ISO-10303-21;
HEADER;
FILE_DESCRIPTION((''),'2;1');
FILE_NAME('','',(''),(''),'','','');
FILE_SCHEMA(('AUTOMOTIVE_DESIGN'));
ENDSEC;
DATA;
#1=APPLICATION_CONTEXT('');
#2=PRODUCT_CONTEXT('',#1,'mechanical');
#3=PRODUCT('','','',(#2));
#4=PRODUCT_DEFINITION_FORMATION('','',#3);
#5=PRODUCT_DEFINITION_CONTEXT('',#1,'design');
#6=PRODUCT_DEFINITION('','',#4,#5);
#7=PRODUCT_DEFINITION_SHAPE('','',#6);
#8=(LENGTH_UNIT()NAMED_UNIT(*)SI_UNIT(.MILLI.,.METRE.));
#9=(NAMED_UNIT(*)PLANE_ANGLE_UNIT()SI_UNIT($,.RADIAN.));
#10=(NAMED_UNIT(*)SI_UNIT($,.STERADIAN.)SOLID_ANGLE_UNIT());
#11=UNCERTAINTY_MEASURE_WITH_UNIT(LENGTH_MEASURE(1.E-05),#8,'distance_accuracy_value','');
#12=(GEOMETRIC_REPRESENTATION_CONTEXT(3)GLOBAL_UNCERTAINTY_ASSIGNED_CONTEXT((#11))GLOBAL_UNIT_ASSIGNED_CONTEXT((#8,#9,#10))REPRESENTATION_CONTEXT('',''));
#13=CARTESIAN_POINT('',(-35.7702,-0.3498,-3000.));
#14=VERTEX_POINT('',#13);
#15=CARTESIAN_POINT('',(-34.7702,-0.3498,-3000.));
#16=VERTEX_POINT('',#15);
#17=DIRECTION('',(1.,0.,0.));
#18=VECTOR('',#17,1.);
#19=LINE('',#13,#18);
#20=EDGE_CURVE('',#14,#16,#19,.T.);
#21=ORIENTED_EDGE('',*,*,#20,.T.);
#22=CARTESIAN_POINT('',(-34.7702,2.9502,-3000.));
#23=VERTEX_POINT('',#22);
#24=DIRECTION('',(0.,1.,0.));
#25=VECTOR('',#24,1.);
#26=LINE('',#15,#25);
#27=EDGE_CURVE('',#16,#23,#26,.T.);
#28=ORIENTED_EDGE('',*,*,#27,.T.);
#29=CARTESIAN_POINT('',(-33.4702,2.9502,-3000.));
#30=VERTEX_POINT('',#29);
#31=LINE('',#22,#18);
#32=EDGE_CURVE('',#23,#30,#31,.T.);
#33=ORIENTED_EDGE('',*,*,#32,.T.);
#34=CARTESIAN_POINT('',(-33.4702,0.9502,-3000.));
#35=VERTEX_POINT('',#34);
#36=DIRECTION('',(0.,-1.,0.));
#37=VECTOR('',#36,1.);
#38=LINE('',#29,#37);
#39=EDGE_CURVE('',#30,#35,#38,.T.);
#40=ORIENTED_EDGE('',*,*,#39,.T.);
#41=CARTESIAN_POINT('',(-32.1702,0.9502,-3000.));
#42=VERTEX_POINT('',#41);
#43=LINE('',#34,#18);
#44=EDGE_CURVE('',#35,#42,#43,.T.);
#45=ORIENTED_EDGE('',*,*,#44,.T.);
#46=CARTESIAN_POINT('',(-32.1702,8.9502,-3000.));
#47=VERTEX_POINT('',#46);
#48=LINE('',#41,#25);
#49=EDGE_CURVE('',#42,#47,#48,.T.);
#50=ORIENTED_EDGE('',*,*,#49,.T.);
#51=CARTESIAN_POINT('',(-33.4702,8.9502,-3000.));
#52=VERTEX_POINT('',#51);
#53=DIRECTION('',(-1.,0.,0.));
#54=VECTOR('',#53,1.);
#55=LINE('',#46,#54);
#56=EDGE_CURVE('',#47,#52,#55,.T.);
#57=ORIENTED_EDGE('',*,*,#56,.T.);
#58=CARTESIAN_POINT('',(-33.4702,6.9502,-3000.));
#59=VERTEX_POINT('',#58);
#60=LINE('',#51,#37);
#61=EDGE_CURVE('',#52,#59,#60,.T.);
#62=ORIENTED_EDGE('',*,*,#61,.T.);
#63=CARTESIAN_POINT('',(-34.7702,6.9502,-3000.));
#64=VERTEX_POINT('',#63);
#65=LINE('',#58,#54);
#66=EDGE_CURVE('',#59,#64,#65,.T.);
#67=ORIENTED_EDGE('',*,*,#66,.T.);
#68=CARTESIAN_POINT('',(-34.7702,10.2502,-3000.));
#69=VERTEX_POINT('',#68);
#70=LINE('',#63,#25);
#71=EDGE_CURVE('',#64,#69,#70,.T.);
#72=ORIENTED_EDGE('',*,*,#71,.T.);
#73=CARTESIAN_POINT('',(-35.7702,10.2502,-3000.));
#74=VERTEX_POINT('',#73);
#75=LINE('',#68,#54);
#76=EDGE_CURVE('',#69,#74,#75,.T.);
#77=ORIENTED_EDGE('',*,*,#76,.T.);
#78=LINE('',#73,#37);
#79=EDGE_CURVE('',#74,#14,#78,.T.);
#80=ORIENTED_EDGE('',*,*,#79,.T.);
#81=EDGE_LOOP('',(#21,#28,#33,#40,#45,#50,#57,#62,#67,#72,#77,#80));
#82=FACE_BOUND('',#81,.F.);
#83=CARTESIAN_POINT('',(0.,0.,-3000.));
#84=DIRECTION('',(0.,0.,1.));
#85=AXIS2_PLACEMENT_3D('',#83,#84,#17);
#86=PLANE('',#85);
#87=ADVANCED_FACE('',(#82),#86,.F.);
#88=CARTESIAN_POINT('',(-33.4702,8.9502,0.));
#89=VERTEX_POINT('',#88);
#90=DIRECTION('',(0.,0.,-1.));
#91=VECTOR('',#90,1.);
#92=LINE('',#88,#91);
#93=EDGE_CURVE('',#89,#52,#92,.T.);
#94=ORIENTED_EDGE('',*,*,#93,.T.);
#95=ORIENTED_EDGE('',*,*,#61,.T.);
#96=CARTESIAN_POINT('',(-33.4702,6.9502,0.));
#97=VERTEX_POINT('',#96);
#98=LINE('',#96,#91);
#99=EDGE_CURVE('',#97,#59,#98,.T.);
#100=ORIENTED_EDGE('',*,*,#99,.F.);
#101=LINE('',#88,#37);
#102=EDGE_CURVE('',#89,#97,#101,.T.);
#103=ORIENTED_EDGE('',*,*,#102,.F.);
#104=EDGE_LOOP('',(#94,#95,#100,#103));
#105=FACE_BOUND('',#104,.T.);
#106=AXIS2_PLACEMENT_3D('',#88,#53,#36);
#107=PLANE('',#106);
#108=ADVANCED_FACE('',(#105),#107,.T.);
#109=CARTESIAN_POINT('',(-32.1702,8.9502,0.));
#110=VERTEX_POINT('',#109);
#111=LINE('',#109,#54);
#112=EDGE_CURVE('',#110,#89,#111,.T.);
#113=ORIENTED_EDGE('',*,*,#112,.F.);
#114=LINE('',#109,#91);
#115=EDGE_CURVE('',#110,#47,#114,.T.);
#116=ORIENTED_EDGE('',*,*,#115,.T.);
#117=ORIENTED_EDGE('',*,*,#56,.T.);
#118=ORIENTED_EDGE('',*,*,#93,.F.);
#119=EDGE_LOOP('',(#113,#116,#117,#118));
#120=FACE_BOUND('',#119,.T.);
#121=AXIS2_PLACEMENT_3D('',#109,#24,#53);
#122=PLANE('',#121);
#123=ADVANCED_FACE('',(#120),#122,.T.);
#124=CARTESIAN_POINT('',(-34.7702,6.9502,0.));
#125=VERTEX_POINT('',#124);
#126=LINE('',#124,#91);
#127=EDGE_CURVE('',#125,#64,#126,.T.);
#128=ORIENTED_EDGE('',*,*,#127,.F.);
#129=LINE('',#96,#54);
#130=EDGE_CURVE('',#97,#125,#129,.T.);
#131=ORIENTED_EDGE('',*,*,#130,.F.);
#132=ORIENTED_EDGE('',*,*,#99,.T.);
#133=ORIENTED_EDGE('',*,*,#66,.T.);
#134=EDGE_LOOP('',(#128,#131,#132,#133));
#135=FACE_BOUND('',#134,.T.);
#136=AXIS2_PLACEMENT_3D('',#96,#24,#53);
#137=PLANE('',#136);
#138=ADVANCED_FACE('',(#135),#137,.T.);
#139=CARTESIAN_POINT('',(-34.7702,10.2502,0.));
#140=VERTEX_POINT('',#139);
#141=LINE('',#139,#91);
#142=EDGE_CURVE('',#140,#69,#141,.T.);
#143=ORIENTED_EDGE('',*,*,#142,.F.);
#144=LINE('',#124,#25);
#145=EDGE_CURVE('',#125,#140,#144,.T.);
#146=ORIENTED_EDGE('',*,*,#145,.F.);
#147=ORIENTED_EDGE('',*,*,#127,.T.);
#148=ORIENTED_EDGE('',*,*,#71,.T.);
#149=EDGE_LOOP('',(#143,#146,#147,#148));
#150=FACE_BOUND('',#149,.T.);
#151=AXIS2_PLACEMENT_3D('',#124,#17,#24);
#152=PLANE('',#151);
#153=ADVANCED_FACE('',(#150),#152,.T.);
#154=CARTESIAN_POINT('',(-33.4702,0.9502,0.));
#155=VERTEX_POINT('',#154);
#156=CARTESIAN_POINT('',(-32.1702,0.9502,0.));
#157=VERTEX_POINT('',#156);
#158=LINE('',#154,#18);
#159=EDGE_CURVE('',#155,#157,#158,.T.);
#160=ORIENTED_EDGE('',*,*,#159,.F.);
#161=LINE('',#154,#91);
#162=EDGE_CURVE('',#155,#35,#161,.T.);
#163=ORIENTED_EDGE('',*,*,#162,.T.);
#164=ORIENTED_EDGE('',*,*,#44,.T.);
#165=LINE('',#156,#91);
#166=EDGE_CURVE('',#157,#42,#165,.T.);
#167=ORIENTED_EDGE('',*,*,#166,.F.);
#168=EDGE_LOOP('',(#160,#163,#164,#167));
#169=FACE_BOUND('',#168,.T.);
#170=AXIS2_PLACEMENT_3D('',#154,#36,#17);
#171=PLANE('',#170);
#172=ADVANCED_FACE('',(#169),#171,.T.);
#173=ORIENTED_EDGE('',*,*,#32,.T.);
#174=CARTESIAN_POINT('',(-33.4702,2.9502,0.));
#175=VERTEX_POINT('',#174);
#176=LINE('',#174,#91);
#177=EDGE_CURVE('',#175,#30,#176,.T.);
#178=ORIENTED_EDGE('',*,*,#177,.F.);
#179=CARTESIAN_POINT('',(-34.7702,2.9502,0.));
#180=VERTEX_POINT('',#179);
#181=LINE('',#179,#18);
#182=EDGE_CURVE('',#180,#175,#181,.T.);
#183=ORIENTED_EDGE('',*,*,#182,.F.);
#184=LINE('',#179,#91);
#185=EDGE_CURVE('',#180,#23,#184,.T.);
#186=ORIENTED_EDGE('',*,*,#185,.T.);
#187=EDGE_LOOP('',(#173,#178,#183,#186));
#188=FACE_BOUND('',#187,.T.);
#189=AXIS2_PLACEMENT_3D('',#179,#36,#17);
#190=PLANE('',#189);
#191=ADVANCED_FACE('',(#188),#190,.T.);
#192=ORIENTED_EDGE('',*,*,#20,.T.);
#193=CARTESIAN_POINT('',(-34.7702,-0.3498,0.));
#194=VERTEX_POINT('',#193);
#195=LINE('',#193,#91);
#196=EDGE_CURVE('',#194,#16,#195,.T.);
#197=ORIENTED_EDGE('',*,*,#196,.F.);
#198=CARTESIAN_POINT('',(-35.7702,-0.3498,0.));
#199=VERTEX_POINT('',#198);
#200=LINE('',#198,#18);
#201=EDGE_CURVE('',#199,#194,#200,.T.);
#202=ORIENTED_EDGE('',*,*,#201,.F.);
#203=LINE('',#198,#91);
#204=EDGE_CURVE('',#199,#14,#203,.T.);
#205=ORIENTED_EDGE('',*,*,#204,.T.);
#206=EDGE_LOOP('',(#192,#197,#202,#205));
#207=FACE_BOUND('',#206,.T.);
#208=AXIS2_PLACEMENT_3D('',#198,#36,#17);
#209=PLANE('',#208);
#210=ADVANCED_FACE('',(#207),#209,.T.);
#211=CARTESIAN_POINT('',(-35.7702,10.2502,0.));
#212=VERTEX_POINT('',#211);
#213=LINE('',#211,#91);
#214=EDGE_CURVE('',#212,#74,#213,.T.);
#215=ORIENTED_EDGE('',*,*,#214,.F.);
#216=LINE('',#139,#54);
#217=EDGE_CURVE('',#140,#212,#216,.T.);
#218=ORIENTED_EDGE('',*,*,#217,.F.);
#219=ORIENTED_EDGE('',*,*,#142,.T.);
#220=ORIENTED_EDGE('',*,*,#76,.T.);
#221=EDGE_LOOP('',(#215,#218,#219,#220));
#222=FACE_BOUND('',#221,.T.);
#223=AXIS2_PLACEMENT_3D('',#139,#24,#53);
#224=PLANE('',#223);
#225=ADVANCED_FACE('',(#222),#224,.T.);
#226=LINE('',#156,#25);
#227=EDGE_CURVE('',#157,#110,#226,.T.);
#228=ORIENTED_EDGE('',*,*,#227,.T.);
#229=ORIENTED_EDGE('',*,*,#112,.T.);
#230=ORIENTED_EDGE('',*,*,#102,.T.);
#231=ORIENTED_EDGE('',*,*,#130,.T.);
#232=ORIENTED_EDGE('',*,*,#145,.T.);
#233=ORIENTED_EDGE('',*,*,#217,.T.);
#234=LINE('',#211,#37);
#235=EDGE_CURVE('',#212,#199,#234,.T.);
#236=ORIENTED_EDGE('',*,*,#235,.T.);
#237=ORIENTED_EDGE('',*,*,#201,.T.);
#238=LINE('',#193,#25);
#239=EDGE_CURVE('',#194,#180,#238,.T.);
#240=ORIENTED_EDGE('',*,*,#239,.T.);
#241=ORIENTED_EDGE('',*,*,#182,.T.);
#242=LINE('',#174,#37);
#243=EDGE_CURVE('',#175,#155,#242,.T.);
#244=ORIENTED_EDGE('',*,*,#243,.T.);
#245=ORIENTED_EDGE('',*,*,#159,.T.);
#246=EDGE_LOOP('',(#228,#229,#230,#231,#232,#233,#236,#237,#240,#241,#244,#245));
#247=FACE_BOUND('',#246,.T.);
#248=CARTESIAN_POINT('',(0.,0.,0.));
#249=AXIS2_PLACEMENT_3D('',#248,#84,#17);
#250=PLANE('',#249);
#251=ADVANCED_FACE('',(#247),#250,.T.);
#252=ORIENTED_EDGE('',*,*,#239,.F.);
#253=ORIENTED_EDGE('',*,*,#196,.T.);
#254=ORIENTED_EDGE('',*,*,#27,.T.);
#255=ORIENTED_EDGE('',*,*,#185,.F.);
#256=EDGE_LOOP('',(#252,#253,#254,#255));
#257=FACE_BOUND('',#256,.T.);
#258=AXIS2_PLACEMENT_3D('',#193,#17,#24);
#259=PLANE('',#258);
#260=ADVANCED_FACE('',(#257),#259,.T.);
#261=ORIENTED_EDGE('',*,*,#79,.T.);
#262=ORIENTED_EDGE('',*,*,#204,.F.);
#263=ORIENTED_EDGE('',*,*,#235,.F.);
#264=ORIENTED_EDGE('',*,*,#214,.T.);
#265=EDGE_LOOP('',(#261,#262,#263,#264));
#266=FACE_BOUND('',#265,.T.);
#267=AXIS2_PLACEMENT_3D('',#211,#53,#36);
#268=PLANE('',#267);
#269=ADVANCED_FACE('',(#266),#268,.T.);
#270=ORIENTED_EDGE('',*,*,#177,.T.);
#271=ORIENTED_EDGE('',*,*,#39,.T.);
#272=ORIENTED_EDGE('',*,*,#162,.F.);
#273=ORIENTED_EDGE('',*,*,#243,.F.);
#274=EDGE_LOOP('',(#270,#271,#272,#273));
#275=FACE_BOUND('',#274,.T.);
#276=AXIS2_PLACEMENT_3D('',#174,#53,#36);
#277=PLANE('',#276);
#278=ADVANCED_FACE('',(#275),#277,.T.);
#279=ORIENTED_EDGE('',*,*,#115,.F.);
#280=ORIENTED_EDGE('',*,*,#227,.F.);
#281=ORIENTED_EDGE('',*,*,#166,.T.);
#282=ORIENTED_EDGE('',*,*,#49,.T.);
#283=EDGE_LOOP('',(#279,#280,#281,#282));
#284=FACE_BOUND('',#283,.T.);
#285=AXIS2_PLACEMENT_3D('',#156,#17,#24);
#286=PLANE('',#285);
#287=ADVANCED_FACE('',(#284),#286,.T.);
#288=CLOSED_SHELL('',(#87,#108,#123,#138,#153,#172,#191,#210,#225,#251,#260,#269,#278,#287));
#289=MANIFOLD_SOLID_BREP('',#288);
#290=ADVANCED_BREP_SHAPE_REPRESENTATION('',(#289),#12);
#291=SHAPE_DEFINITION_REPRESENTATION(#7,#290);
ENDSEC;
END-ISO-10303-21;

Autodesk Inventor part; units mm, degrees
ref_plane "YZ Plane" through (0, 0, 0) normal (1, 0, 0) x (0, 1, 0)
ref_plane "XZ Plane" through (0, 0, 0) normal (0, 1, 0) x (-1, 0, 0)
ref_plane "XY Plane" through (0, 0, 0) normal (0, 0, 1) x (1, 0, 0)
sketch "Boceto1" plane through (0, 0, 0) normal (0, 0, 1) x (1, 0, 0)
  line L0 (-34.7702, -0.3498) -> (-34.7702, 2.9502)
  line L1 (-34.7702, 2.9502) -> (-33.4702, 2.9502)
  line L2 (-33.4702, 2.9502) -> (-33.4702, 0.9502)
  line L3 (-33.4702, 0.9502) -> (-32.1702, 0.9502)
  line L4 (-32.1702, 0.9502) -> (-32.1702, 8.9502)
  line L5 (-32.1702, 8.9502) -> (-33.4702, 8.9502)
  line L6 (-33.4702, 8.9502) -> (-33.4702, 6.9502)
  line L7 (-33.4702, 6.9502) -> (-34.7702, 6.9502)
  line L8 (-34.7702, 6.9502) -> (-34.7702, 10.2502)
  line L9 (-34.7702, 10.2502) -> (-35.7702, 10.2502)
  line L10 (-35.7702, 10.2502) -> (-35.7702, -0.3498)
  line L11 (-35.7702, -0.3498) -> (-34.7702, -0.3498)
  dimension "d14" = 1.3
  dimension "d41" = 1
  dimension "d42" = 4
  dimension "d43" = 10.6
  dimension "d44" = 8
  dimension "d45" = 1.3
extrude "Extrusión1" add sketch "Boceto1" against normal blind 3000
properties part number "JUNTA DE FELPA PARA ENCUENTRO HOJA CORREDERA 3000 mm"
